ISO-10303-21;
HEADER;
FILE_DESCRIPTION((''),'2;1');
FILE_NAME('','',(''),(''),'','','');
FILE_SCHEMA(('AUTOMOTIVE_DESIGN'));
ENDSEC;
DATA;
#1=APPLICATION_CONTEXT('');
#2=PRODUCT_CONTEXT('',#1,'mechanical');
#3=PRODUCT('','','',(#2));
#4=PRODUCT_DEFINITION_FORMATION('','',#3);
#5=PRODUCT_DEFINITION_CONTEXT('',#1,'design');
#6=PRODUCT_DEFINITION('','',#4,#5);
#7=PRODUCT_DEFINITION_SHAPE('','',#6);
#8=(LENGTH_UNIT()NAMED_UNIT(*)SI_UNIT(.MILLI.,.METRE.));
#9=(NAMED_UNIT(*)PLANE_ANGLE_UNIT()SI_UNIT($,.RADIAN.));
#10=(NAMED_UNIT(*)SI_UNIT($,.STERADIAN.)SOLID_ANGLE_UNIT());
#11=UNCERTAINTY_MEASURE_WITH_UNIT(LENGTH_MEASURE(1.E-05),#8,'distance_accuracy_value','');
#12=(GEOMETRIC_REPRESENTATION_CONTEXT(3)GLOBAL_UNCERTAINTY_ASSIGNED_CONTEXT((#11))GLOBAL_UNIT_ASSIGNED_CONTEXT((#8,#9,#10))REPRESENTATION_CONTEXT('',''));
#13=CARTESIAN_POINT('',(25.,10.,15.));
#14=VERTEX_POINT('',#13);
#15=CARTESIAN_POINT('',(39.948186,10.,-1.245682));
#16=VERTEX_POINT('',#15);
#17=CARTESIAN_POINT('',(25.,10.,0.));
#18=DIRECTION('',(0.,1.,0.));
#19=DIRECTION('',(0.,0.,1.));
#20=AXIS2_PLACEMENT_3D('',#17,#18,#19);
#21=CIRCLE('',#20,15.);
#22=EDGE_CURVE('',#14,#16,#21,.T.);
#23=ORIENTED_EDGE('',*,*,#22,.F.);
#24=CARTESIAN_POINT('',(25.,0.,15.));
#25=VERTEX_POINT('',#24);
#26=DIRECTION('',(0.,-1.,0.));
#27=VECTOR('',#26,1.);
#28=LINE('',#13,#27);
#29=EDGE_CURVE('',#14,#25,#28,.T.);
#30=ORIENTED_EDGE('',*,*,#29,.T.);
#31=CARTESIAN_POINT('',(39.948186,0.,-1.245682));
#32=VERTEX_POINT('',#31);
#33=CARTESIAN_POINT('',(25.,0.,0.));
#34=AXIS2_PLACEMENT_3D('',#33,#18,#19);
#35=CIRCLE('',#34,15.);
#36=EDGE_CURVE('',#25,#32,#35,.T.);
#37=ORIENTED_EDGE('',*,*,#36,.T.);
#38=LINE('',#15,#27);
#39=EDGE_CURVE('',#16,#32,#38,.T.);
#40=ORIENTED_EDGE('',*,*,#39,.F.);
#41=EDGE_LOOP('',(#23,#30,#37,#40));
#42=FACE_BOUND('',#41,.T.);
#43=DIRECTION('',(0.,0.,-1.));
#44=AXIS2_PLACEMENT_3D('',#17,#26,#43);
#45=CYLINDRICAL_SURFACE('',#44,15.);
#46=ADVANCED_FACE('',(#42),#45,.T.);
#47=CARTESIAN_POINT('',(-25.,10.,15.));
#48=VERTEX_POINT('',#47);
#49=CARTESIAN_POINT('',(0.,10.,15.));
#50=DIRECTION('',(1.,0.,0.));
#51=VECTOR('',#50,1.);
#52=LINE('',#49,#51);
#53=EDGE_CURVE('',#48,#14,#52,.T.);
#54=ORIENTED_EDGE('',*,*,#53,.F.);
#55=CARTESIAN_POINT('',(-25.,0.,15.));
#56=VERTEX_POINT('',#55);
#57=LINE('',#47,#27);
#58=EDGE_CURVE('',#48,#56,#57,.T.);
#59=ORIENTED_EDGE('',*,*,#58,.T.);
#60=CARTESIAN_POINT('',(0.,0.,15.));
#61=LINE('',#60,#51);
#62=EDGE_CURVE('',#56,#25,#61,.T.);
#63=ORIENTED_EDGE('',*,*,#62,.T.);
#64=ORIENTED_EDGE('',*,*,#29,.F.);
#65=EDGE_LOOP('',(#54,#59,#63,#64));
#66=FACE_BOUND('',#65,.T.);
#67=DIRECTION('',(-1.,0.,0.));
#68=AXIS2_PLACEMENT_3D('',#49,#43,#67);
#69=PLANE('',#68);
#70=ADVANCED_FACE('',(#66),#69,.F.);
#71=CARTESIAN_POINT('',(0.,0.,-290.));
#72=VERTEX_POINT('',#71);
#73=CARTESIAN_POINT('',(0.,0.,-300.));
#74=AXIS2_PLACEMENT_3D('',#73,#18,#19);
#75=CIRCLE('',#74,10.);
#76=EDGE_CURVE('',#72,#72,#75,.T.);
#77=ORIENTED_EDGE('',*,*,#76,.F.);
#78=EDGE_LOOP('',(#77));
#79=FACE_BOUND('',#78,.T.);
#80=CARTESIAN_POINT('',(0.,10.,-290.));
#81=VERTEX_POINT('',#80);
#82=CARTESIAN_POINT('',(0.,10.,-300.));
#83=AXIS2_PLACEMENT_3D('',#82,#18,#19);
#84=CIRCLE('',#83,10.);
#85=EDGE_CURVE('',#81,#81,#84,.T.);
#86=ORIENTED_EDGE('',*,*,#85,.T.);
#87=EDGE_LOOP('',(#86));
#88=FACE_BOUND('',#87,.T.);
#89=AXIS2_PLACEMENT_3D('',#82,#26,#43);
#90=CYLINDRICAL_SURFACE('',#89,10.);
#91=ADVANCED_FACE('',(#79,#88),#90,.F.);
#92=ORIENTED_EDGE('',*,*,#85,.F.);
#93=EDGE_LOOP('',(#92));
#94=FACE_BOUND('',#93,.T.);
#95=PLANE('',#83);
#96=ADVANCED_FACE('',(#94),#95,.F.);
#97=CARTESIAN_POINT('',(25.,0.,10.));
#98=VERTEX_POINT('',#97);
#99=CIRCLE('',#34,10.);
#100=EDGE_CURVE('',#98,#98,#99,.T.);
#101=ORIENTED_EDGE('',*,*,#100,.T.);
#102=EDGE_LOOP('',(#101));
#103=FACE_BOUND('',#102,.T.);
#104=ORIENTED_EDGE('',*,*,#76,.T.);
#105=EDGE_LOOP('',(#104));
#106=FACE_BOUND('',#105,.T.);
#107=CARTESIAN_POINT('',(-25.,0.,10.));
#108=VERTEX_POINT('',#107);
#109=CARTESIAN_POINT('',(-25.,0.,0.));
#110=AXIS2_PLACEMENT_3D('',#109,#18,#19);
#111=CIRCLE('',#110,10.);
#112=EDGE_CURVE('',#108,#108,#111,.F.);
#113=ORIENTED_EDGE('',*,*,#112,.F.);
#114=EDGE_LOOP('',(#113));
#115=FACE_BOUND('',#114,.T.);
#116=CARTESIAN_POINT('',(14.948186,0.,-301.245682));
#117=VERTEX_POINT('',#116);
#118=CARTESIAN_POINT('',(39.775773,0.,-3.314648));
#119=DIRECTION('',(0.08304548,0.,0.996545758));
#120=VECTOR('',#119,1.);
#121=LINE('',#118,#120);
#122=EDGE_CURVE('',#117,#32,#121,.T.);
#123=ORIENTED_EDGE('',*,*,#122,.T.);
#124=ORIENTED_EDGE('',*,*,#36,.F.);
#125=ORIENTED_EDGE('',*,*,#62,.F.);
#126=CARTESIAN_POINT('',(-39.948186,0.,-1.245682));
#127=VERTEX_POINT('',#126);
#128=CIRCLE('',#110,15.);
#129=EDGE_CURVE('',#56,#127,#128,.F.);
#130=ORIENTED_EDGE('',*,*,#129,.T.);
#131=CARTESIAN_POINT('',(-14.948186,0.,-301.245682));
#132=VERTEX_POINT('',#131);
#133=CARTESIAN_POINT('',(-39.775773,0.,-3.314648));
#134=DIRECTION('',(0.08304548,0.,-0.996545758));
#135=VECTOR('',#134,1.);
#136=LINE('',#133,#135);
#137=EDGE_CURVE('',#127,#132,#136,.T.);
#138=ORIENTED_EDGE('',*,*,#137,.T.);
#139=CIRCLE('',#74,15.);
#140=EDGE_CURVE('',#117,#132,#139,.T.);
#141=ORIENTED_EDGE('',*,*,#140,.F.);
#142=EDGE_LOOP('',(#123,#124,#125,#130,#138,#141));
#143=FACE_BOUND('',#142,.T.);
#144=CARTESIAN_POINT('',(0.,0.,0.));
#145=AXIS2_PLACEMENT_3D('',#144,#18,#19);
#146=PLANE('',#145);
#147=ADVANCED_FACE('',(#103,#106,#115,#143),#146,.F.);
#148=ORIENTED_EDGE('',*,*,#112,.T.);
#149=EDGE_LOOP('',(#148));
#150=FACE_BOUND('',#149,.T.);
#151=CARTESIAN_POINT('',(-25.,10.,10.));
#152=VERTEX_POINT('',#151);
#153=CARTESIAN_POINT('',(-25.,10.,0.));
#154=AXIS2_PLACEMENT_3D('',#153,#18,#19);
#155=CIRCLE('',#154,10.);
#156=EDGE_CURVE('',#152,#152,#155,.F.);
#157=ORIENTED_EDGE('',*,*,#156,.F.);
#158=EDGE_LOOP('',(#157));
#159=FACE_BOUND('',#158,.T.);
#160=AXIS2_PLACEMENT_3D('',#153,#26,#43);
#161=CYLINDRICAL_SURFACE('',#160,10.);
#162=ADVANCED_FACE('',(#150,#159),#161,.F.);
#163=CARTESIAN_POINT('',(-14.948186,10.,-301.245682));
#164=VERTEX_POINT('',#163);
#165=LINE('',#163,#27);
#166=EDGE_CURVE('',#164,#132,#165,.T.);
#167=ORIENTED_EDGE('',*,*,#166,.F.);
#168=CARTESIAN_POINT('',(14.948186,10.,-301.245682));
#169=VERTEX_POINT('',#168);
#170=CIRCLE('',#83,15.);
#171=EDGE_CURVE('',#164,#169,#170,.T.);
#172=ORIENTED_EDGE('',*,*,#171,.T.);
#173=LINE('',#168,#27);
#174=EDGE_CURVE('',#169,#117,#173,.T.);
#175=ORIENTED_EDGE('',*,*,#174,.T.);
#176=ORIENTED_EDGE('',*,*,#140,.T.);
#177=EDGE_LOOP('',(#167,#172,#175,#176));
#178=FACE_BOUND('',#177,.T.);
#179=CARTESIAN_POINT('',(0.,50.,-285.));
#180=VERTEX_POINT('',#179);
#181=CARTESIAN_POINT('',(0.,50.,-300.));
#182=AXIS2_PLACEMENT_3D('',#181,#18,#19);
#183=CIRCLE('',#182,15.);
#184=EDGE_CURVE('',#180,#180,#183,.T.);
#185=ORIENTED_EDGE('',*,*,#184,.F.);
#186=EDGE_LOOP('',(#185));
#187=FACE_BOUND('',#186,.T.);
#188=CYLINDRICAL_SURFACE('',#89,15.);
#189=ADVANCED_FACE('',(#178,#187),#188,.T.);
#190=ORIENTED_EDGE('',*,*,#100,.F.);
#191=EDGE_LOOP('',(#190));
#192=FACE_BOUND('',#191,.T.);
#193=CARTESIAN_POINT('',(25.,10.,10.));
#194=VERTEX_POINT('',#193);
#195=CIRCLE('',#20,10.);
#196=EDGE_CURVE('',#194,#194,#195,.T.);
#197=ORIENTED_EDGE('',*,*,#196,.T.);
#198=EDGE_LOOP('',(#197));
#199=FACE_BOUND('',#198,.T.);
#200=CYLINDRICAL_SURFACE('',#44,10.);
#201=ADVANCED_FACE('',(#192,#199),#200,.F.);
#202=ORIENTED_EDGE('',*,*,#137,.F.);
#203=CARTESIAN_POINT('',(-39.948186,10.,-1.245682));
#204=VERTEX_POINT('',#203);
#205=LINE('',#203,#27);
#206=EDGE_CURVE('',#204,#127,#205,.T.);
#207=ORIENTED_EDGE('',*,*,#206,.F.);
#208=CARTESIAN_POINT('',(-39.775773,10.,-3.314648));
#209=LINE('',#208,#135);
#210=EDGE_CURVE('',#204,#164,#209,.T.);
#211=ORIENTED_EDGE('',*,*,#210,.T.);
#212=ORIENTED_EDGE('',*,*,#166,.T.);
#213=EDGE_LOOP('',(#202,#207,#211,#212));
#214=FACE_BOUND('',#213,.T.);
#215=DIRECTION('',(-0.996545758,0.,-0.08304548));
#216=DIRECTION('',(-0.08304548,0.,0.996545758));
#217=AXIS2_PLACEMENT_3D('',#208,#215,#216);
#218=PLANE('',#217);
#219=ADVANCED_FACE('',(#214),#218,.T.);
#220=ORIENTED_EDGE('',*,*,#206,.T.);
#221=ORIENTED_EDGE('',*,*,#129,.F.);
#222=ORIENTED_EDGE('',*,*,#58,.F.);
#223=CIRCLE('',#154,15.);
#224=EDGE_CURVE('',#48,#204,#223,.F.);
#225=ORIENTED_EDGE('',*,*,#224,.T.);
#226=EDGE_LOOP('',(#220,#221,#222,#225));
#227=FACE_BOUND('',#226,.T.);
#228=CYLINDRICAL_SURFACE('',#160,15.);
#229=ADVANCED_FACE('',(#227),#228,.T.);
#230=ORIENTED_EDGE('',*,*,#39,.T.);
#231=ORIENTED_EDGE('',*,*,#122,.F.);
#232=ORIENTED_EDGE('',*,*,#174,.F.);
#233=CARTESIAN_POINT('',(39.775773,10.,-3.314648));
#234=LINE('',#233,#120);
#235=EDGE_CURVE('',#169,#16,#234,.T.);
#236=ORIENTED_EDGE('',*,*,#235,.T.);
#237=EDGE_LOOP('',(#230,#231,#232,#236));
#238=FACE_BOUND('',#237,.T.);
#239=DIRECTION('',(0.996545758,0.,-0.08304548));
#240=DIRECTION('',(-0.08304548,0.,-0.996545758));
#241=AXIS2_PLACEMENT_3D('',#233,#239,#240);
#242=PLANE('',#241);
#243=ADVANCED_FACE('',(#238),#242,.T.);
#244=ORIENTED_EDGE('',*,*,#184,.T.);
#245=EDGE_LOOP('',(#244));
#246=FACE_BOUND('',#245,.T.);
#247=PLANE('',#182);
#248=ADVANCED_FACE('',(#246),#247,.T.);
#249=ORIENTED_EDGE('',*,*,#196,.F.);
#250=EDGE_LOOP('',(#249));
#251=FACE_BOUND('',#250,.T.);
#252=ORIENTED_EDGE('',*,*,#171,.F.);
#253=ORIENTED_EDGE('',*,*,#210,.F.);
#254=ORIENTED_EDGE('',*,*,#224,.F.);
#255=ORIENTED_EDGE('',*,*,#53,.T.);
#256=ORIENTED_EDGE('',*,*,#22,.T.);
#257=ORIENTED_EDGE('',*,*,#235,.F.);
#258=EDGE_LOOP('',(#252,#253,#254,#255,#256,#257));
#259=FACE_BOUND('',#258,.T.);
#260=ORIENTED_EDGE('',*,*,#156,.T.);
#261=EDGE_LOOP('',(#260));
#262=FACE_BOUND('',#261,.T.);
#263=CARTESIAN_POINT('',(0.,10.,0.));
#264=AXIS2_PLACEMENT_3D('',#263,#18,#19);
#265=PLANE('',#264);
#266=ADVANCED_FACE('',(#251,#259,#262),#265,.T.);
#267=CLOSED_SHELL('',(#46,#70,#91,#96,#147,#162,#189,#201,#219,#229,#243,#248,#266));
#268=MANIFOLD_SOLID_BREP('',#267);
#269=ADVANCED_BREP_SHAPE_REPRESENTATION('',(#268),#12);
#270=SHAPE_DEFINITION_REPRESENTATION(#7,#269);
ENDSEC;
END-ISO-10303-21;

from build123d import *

# Parameters (mm, degrees)
SKETCH_1_R      = 15
SKETCH_1_R_2    = 10
EXTRUDE_1_DEPTH = 10
SKETCH_2_R      = 15
EXTRUDE_2_DEPTH = 40


with BuildPart() as part:
    # 草圖1 → 填料-伸長1 (new body)
    # profile 1 of 4: a face of its own
    with BuildSketch(Plane(origin=(0, 0, 0), x_dir=(1, 0, 0), z_dir=(0, 1, 0))):
        with BuildLine():
            ThreePointArc((-10, 0), (-14.393398282, -10.606601718), (-25, -15))
            Line((-25, -15), (25, -15))
            ThreePointArc((25, -15), (13.961765699, 10.156642335), (39.948186374, 1.245682198))
            Line((39.948186374, 1.245682198), (14.948186374, 301.245682198))
            ThreePointArc((14.948186374, 301.245682198), (14.987040996, 300.623379658), (15, 300))
            ThreePointArc((15, 300), (-0.623379658, 285.012959004), (-14.948186374, 301.245682198))
            Line((-14.948186374, 301.245682198), (-39.948186374, 1.245682198))
            ThreePointArc((-39.948186374, 1.245682198), (-24.376620342, 14.987040996), (-10, 0))
        make_face()
    # profile 2 of 4: a face of its own
    with BuildSketch(Plane(origin=(0, 0, 0), x_dir=(1, 0, 0), z_dir=(0, 1, 0))):
        with Locations((-25, 0)):
            Circle(SKETCH_1_R)
        with Locations(Location((-25, 0, 0), (0, 0, 270))):
            Circle(SKETCH_1_R_2, mode=Mode.SUBTRACT)
    # profile 3 of 4: a face of its own
    with BuildSketch(Plane(origin=(0, 0, 0), x_dir=(1, 0, 0), z_dir=(0, 1, 0))):
        with Locations((25, 0)):
            Circle(SKETCH_1_R)
        with Locations(Location((25, 0, 0), (0, 0, 270))):
            Circle(SKETCH_1_R_2, mode=Mode.SUBTRACT)
    # profile 4 of 4: a face of its own
    with BuildSketch(Plane(origin=(0, 0, 0), x_dir=(1, 0, 0), z_dir=(0, 1, 0))):
        with Locations((0, 300)):
            Circle(SKETCH_1_R)
        with Locations(Location((0, 300, 0), (0, 0, 270))):
            Circle(SKETCH_1_R_2, mode=Mode.SUBTRACT)
    extrude(amount=EXTRUDE_1_DEPTH)

    # 草圖2 → 填料-伸長2 (add)
    with BuildSketch(Plane(origin=(0, 10, 0), x_dir=(1, 0, 0), z_dir=(0, 1, 0))):
        with Locations(Location((0, 300, 0), (0, 0, 4.763641691))):
            Circle(SKETCH_2_R)
    extrude(amount=EXTRUDE_2_DEPTH)


solid = part.part
